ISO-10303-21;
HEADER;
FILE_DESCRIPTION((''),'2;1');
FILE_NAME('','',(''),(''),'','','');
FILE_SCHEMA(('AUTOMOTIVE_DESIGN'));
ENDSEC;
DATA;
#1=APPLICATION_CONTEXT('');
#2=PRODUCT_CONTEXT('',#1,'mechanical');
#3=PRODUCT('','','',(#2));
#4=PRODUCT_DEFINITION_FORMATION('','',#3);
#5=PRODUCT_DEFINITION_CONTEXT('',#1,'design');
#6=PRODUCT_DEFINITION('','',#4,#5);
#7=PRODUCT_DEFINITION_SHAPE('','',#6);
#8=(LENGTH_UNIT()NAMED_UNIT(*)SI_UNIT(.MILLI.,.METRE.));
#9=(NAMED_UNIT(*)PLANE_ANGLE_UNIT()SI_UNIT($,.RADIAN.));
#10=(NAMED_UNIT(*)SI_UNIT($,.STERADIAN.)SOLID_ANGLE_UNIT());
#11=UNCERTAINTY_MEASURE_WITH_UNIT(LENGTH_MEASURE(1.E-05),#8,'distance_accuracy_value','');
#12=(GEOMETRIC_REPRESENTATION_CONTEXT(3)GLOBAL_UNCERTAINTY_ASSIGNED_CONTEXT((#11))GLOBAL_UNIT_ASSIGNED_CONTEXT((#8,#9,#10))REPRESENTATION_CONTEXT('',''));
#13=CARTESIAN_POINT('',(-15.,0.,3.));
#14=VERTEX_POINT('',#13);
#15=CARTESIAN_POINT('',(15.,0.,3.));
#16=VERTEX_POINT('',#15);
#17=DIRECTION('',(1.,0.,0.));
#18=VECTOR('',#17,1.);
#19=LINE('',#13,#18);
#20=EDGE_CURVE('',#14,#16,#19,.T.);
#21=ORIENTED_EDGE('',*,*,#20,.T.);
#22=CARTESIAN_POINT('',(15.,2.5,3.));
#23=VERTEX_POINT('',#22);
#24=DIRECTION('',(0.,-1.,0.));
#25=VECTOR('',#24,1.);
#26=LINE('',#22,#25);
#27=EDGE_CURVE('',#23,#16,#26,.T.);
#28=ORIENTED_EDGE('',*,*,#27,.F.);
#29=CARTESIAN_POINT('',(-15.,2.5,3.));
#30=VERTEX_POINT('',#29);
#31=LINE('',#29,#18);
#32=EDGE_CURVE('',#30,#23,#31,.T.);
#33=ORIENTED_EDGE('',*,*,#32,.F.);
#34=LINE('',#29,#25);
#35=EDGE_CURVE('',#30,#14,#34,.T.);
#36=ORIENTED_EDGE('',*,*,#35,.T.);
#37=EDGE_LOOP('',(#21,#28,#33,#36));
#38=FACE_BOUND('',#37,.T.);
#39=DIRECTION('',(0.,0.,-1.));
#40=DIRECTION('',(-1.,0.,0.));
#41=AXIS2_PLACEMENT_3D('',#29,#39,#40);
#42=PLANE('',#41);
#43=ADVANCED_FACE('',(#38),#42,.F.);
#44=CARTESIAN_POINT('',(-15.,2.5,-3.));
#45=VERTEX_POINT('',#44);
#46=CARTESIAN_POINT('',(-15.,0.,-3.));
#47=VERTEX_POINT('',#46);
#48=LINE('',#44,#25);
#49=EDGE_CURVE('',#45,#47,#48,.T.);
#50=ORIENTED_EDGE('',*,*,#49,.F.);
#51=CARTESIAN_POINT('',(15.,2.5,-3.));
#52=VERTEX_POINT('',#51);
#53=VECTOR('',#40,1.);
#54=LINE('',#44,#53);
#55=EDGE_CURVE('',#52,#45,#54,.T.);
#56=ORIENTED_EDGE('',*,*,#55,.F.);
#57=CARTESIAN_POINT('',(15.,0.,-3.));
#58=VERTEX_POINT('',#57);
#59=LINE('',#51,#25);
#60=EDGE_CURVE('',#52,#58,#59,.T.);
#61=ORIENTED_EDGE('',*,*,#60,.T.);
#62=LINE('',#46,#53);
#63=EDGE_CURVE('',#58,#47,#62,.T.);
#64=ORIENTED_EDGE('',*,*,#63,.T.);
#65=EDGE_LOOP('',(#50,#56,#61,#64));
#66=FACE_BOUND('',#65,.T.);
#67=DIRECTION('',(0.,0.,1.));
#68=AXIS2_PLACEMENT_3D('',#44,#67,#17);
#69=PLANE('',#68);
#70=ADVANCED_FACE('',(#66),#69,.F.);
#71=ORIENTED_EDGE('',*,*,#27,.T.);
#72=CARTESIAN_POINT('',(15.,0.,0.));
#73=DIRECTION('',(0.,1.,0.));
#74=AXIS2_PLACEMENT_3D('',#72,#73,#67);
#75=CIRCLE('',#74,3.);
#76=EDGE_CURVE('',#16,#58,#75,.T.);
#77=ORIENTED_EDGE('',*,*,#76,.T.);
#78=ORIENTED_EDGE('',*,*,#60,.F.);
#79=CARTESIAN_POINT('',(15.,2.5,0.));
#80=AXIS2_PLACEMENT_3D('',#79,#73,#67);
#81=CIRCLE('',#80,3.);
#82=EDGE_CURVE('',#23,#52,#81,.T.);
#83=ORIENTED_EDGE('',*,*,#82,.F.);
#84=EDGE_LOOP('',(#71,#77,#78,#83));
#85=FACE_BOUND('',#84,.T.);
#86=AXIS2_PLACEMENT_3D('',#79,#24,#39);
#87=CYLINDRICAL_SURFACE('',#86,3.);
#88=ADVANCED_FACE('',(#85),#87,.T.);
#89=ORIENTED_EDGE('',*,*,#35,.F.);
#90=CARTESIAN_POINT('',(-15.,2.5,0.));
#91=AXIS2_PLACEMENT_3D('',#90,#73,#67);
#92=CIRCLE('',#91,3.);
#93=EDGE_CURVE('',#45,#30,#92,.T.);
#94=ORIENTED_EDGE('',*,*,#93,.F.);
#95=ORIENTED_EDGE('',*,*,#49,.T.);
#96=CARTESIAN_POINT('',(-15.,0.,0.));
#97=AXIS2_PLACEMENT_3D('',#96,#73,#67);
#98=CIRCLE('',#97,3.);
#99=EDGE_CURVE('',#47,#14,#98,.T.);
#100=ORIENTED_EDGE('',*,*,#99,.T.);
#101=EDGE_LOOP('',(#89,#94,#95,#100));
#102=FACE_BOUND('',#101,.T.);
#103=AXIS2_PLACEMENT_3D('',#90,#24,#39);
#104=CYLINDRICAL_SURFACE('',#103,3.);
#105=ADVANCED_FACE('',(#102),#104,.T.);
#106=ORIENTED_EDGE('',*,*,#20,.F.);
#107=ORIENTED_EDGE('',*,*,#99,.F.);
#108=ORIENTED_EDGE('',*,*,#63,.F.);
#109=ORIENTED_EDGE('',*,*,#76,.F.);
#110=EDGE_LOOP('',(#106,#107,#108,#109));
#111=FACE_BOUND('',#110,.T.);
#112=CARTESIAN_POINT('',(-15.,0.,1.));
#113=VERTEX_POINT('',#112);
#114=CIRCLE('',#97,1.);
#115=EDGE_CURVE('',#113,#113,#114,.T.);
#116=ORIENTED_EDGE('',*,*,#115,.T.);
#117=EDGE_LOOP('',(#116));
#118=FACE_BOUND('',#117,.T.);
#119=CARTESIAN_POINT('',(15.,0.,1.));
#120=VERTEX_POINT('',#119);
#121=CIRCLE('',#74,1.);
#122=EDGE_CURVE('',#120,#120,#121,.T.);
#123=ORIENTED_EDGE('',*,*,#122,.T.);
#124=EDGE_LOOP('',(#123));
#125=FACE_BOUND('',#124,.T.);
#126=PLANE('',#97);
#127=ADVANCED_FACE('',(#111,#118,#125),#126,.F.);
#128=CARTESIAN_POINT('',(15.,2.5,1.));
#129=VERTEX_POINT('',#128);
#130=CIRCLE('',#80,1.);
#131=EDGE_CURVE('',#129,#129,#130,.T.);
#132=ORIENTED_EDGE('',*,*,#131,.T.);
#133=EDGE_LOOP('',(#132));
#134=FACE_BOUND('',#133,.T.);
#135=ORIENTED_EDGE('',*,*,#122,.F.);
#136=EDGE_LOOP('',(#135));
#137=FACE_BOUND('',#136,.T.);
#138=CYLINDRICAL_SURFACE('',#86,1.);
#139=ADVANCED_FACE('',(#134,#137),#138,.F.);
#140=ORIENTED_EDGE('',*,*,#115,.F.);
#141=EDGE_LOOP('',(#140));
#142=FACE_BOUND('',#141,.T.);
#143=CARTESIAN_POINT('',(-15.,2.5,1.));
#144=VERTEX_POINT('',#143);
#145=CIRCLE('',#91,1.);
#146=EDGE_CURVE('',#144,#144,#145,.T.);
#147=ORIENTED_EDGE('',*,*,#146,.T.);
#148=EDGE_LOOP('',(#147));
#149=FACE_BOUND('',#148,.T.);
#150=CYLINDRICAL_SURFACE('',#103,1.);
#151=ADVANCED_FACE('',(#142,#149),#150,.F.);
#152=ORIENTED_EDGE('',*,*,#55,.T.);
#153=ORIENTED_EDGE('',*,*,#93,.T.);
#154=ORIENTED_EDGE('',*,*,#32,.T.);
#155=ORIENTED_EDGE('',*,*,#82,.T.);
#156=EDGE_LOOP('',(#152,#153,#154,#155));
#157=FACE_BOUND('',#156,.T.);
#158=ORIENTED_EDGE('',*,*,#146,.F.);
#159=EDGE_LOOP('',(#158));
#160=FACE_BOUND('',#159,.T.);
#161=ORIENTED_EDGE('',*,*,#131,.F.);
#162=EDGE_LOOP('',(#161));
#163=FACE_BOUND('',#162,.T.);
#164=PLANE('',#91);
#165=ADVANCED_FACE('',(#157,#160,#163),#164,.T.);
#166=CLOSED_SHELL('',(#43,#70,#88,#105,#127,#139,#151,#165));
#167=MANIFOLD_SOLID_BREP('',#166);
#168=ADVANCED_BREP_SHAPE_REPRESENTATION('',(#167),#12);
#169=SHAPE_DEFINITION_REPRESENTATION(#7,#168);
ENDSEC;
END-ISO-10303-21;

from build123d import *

# Parameters (mm, degrees)
SKETCH_1_R      = 1
EXTRUDE_1_DEPTH = 2.5


with BuildPart() as part:
    # 草图1 → 凸台-拉伸1 (new body)
    with BuildSketch(Plane(origin=(0, 0, 0), x_dir=(1, 0, 0), z_dir=(0, 1, 0))):
        with BuildLine():
            Line((-15, 3), (15, 3))
            ThreePointArc((15, 3), (18, 0), (15, -3))
            Line((15, -3), (-15, -3))
            ThreePointArc((-15, -3), (-18, 0), (-15, 3))
        make_face()
        with Locations(Location((-15, 0, 0), (0, 0, 270))):
            Circle(SKETCH_1_R, mode=Mode.SUBTRACT)
        with Locations(Location((15, 0, 0), (0, 0, 270))):
            Circle(SKETCH_1_R, mode=Mode.SUBTRACT)
    extrude(amount=EXTRUDE_1_DEPTH)


solid = part.part
